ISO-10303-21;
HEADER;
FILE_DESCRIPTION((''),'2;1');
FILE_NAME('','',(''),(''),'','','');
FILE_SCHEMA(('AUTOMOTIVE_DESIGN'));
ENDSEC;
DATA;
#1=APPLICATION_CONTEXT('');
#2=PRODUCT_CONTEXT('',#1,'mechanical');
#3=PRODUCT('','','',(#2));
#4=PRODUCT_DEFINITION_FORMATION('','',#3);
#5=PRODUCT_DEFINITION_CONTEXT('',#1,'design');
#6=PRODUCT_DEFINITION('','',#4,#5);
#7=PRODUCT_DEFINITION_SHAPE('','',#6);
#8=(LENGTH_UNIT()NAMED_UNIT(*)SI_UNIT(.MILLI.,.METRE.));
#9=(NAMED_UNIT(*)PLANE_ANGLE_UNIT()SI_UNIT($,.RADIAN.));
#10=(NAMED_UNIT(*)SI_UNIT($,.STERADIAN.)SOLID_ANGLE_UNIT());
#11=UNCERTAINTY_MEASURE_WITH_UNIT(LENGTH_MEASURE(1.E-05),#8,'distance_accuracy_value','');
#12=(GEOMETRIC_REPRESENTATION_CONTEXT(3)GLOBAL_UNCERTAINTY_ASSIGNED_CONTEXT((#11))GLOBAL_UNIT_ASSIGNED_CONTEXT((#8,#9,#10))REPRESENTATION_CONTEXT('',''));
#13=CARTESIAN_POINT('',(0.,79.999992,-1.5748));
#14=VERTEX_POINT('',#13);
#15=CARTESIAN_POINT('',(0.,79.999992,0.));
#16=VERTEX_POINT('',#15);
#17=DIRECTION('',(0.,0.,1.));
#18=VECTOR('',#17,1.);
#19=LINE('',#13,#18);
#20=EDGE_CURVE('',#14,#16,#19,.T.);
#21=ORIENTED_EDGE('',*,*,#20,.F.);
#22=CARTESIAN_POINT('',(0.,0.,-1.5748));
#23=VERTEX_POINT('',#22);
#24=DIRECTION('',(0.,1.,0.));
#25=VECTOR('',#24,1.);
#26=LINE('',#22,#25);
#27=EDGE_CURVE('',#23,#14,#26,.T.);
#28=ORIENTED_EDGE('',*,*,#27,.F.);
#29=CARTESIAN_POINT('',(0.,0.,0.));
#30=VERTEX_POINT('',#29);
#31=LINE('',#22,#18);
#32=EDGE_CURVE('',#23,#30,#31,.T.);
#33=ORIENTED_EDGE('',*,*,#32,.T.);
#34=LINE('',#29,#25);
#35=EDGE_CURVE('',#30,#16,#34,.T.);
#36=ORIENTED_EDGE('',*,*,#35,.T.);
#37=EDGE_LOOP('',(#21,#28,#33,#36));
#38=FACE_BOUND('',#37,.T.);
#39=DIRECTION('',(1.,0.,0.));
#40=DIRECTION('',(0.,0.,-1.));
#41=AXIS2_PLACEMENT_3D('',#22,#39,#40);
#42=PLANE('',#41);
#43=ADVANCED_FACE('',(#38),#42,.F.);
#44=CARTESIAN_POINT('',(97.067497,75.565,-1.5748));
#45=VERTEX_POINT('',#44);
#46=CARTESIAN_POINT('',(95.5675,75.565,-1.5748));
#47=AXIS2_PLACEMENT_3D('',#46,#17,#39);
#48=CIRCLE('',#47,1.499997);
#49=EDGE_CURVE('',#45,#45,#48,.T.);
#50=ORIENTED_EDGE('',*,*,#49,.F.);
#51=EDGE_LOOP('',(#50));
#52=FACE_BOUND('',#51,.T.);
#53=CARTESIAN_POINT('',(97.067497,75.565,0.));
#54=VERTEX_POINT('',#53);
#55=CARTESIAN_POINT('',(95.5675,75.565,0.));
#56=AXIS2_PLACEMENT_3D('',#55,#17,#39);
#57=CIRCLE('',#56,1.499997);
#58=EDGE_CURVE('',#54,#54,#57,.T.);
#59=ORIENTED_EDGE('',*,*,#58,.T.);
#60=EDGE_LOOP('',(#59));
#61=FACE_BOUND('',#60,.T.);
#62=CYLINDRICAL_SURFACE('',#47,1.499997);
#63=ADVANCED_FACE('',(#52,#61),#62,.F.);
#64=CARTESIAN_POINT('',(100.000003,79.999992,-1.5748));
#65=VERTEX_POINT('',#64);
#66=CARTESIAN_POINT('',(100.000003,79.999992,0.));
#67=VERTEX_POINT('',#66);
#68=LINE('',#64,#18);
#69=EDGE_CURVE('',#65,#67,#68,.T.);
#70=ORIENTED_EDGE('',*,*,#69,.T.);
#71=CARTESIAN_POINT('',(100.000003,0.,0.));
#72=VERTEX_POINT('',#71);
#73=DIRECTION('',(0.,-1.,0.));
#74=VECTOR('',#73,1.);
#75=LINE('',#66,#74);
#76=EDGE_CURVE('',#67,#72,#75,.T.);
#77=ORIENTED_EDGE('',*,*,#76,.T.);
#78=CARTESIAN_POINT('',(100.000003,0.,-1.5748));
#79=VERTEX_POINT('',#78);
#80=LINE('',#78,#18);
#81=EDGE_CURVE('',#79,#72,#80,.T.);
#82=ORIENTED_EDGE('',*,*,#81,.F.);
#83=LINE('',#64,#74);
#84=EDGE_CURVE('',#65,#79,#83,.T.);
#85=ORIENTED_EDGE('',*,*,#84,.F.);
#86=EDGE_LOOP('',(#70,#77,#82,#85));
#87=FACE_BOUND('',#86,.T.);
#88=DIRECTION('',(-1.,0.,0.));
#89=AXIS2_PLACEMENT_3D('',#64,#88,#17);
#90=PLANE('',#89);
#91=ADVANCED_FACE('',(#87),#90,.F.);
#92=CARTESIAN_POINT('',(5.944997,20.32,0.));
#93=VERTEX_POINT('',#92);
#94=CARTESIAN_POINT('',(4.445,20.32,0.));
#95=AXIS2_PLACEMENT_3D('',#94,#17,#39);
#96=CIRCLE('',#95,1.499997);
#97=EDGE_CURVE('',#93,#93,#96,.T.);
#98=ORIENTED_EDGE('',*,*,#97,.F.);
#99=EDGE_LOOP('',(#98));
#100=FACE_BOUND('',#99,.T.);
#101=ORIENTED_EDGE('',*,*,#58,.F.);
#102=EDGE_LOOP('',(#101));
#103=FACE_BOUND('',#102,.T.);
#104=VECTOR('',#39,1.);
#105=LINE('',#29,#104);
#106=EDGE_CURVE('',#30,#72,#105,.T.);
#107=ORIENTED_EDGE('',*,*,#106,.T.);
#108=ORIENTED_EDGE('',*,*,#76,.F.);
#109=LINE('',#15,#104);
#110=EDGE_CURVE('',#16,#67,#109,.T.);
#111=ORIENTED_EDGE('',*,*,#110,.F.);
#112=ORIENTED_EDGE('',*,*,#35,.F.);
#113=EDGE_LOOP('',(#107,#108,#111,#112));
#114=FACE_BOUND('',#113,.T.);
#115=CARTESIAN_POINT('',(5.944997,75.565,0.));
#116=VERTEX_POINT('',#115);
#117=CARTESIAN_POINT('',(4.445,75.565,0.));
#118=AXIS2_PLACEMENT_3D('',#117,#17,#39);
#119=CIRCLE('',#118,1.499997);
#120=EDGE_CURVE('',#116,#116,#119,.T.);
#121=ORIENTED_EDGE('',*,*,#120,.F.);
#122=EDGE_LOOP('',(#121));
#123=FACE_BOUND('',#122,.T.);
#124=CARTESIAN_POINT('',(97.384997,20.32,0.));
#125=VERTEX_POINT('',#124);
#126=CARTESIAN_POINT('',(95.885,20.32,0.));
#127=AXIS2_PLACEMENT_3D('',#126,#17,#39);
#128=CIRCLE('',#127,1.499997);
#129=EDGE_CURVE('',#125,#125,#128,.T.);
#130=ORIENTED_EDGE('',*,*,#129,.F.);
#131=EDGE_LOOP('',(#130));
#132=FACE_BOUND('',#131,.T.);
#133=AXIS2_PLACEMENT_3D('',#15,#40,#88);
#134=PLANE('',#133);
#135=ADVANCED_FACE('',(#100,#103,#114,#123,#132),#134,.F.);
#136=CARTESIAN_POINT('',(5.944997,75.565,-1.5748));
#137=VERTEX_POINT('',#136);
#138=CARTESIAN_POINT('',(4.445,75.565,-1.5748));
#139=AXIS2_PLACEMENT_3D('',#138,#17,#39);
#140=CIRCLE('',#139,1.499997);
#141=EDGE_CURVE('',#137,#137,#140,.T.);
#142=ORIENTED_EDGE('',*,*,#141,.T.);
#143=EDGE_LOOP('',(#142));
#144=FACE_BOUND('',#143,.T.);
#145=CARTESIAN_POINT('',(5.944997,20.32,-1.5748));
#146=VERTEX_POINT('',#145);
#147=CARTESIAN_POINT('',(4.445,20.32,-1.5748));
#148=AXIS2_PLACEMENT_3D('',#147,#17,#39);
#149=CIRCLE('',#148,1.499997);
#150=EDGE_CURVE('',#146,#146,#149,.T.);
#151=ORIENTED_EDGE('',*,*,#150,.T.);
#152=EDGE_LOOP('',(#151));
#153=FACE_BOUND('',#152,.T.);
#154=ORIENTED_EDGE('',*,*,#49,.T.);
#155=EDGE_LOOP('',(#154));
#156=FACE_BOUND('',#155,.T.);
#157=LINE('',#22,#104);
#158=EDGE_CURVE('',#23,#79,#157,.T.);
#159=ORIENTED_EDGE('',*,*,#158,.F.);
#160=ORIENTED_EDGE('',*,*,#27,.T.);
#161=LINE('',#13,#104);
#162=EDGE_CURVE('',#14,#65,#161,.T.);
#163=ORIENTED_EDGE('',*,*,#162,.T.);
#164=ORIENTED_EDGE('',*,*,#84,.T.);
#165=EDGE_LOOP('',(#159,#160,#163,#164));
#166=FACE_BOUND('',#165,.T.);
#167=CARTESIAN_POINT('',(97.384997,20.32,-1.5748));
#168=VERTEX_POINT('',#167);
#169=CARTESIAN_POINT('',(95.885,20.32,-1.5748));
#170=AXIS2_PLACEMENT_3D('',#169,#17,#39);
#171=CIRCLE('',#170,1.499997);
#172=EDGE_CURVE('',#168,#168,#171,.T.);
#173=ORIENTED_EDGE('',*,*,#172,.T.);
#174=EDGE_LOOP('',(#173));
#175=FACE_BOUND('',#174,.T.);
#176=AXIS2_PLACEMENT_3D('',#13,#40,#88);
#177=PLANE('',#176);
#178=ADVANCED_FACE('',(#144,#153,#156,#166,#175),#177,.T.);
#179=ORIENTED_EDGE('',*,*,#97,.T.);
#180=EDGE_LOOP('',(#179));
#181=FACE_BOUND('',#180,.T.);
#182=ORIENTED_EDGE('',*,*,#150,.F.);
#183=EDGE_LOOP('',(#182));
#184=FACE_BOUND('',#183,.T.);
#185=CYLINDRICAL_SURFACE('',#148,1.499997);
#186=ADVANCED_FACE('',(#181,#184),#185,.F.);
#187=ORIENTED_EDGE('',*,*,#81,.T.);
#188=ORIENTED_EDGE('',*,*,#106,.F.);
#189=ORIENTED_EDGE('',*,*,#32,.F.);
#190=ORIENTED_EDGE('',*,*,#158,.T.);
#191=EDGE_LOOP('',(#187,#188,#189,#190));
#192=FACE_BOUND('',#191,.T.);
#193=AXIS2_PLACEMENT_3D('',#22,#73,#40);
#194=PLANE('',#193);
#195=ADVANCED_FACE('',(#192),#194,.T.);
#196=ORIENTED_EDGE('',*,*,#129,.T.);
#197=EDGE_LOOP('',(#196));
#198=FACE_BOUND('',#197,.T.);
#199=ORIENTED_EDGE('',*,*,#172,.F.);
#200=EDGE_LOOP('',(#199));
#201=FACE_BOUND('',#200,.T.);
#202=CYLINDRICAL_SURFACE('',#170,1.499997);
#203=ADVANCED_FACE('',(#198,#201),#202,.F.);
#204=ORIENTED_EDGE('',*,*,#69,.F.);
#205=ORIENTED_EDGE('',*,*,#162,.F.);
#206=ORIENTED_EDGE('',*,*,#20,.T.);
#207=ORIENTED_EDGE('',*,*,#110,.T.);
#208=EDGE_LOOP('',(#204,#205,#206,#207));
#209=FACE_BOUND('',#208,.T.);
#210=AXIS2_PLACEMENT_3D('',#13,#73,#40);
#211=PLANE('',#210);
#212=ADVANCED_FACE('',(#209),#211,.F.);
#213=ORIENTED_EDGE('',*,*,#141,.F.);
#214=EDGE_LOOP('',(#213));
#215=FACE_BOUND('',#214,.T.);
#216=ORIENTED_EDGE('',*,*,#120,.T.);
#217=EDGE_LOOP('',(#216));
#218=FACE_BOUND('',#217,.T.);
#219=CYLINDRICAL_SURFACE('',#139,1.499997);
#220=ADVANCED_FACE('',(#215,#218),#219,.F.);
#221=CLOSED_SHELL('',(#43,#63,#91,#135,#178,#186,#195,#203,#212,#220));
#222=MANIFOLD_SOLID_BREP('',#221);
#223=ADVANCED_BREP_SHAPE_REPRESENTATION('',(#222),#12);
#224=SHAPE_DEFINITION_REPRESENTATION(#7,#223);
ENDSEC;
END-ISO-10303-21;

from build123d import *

# Parameters (mm, degrees)
MODEL_W             = 100.0000032
MODEL_H             = 79.9999924
BOSS_EXTRUDE1_DEPTH = 1.5748
SKETCH1_R           = 1.499997
CUT_EXTRUDE1_DEPTH  = 129.072164888


with BuildPart() as part:
    # Model → Boss-Extrude1 (new body)
    with BuildSketch(Plane.XY):
        with Locations((50.0000016, 39.9999962)):
            Rectangle(MODEL_W, MODEL_H)
    extrude(amount=-BOSS_EXTRUDE1_DEPTH)

    # Sketch1 → Cut-Extrude1 (cut, through all)
    with BuildSketch(Plane.XY):
        with Locations((95.885, 20.32)):
            Circle(SKETCH1_R)
        with Locations((95.5675, 75.565)):
            Circle(SKETCH1_R)
        with Locations((4.445, 75.565)):
            Circle(SKETCH1_R)
        with Locations((4.445, 20.32)):
            Circle(SKETCH1_R)
    extrude(amount=-CUT_EXTRUDE1_DEPTH, mode=Mode.SUBTRACT)


solid = part.part
